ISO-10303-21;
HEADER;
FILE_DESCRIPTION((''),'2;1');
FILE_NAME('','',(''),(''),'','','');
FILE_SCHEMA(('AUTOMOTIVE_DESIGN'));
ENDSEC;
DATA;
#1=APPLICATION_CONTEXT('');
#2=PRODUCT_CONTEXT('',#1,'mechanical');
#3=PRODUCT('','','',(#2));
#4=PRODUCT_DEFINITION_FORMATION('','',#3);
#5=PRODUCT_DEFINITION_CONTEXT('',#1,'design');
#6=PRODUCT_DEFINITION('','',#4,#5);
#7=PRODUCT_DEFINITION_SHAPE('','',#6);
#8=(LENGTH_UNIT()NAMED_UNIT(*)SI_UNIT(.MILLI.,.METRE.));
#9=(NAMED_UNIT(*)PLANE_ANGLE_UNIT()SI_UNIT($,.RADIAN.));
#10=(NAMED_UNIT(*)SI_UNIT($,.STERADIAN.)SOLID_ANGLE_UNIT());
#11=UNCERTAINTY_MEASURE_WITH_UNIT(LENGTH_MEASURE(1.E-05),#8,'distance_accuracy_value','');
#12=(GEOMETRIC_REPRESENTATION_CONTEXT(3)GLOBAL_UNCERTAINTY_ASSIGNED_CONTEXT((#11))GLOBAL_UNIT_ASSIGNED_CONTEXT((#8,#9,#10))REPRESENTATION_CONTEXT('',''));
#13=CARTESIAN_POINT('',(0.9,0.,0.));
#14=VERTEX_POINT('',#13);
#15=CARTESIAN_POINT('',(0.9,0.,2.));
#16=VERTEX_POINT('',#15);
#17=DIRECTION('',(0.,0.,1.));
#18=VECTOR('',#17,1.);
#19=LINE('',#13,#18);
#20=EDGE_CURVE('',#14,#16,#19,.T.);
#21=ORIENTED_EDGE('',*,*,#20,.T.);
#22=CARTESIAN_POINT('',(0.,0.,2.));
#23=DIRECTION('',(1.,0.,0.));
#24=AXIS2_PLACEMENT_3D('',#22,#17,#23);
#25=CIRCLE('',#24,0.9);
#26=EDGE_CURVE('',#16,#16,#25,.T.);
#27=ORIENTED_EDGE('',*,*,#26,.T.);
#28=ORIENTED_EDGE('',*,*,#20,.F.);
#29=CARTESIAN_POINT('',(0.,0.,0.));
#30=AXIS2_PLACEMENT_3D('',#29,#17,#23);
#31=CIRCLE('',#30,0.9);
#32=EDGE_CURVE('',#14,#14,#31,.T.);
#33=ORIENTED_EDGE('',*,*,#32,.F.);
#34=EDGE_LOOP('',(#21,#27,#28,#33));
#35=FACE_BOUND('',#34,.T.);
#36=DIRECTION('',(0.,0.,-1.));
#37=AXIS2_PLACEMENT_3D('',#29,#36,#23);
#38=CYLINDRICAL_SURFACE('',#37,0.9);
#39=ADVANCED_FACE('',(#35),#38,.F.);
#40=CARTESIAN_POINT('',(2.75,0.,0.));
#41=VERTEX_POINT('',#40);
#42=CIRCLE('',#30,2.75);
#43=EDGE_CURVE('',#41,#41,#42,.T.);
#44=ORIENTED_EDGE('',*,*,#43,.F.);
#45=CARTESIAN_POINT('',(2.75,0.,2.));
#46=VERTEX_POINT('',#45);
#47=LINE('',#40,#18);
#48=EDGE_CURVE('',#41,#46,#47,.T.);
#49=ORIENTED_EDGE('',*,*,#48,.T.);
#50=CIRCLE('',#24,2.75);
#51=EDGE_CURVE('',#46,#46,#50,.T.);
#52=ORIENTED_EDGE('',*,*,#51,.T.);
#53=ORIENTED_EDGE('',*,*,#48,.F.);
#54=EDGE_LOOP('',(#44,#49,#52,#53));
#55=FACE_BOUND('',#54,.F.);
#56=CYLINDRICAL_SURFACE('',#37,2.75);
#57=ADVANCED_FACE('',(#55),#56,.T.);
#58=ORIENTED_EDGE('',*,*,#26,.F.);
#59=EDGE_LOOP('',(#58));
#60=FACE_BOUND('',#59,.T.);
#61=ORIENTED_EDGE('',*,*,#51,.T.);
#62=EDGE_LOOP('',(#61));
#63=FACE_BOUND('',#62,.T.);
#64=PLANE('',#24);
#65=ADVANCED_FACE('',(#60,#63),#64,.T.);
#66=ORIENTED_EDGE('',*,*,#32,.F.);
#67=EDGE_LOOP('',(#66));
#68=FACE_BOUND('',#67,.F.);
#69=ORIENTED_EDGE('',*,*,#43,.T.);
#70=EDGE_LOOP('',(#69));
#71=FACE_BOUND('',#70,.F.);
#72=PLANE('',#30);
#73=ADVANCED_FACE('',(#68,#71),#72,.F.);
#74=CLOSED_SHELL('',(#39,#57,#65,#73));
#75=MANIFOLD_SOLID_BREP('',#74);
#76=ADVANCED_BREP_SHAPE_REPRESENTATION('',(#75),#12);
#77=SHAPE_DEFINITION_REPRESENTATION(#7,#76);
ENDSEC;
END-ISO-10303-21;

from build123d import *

# Parameters (mm, degrees)
CYLINDER015_R     = 0.9
CYLINDER015_DEPTH = 2
CYLINDER014_R     = 2.75
CYLINDER014_DEPTH = 2


with BuildPart() as faceanchorscrewhole:
    # Cylinder015 → Cylinder015 (new body)
    with BuildSketch(Plane.XY):
        Circle(CYLINDER015_R)
    extrude(amount=CYLINDER015_DEPTH)


with BuildPart() as faceanchor:
    # Cylinder014 → Cylinder014 (new body)
    with BuildSketch(Plane.XY):
        Circle(CYLINDER014_R)
    extrude(amount=CYLINDER014_DEPTH)

    # Cut015: cut FaceAnchorScrewHole
    add(faceanchorscrewhole.part, mode=Mode.SUBTRACT)


solid = faceanchor.part
